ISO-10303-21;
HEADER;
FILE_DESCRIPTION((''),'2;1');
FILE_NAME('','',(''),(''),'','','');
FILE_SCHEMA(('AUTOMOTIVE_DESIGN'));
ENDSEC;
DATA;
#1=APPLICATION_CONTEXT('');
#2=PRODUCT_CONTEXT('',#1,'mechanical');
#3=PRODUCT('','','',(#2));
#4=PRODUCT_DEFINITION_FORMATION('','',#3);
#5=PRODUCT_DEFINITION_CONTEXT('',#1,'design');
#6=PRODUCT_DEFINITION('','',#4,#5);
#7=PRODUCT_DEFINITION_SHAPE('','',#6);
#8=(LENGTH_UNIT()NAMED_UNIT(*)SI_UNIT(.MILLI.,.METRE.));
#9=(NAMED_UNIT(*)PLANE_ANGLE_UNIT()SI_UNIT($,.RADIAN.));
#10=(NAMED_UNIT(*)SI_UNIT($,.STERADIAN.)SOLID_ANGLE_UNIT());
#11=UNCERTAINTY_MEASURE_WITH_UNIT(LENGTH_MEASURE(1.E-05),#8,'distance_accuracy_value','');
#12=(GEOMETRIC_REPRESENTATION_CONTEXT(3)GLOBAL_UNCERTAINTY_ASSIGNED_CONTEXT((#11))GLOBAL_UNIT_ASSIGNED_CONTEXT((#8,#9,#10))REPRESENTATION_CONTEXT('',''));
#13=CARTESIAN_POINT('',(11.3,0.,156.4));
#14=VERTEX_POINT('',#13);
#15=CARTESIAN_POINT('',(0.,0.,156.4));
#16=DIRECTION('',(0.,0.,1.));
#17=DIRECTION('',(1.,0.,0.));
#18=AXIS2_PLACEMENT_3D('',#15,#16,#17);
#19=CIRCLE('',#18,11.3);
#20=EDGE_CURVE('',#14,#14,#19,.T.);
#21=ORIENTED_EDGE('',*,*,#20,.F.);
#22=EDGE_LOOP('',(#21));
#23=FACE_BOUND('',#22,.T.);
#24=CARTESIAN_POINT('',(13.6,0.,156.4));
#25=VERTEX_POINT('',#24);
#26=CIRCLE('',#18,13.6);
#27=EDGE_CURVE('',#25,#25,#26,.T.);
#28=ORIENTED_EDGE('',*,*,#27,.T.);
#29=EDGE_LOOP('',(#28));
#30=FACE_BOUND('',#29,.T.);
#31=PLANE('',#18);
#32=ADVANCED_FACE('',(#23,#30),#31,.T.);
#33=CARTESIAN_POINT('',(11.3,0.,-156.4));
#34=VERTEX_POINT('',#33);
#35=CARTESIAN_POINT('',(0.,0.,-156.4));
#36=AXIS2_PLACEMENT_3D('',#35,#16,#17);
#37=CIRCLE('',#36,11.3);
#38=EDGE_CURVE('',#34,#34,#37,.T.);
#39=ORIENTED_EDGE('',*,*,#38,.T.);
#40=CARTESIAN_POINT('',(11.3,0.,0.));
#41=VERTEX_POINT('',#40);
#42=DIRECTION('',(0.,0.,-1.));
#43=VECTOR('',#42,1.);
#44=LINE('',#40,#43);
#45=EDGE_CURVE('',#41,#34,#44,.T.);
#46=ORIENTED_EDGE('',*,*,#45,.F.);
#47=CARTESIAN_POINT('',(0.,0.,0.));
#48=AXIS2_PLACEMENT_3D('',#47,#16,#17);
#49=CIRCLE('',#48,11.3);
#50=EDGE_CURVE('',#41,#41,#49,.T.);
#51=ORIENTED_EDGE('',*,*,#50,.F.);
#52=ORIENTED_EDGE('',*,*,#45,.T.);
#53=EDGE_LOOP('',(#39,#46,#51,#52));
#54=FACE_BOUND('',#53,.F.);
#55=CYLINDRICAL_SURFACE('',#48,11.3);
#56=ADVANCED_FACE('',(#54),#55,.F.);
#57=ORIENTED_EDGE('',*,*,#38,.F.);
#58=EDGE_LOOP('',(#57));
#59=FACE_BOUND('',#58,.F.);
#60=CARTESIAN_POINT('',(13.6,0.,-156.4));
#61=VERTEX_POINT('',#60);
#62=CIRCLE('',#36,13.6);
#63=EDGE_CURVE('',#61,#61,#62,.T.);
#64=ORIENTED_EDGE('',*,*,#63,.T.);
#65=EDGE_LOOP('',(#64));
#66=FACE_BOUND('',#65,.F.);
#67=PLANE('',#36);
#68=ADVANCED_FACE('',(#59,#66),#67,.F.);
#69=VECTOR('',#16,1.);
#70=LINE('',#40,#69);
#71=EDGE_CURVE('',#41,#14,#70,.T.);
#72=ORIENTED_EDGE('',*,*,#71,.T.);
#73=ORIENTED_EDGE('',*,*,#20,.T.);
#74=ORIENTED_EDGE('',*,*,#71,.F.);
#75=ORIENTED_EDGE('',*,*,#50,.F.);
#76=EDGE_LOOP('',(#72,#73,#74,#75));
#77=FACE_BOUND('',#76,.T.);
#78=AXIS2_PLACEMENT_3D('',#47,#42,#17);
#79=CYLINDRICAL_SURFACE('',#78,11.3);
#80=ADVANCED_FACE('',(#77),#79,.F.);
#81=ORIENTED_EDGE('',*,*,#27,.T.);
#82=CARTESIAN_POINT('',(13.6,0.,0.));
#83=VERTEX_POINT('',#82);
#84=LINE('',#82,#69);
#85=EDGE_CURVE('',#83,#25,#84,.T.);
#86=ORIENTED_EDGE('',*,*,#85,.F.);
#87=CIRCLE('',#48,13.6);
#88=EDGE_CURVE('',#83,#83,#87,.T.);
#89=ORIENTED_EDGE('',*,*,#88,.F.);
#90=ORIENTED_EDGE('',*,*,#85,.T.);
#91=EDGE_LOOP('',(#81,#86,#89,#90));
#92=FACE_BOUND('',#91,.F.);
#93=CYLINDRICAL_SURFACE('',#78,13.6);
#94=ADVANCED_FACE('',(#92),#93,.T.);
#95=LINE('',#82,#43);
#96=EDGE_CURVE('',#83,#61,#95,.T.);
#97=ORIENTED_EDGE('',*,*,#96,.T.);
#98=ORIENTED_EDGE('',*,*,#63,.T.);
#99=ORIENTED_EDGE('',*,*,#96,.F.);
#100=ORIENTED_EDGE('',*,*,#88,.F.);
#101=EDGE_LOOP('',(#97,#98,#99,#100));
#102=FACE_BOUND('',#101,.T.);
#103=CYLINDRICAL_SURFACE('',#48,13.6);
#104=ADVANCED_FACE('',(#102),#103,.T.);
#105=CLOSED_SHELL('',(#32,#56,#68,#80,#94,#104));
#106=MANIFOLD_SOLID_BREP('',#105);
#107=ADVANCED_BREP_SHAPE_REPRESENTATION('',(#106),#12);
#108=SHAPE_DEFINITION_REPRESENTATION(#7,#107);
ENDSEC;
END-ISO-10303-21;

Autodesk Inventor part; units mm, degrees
ref_plane "XY Plane" through (0, 0, 0) normal (0, 0, 1) x (1, 0, 0)
sketch "スケッチ1" plane through (0, 0, 0) normal (0, 0, 1) x (1, 0, 0)
  circle A0 centre (0, 0) radius 13.6
  circle A1 centre (0, 0) radius 11.3
  dimension "d0" = 27.2
  dimension "d1" = 2.3
extrude "押し出し1" add sketch "スケッチ1" along normal mid plane 312.8
ref_plane "作業平面1" through (13.6, 0, 0) normal (1, 0, 0) x (0, 1, 0)
ref_plane "作業平面2" through (-13.6, 0, 0) normal (-1, 0, 0) x (0, -1, 0)
ref_plane "作業平面3" through (0, 13.6, 0) normal (0, 1, 0) x (-1, 0, 0)
ref_plane "作業平面4" through (0, -13.6, 0) normal (0, -1, 0) x (1, 0, 0)
properties part number "Pipe5" material "鋼、炭素鋼"
